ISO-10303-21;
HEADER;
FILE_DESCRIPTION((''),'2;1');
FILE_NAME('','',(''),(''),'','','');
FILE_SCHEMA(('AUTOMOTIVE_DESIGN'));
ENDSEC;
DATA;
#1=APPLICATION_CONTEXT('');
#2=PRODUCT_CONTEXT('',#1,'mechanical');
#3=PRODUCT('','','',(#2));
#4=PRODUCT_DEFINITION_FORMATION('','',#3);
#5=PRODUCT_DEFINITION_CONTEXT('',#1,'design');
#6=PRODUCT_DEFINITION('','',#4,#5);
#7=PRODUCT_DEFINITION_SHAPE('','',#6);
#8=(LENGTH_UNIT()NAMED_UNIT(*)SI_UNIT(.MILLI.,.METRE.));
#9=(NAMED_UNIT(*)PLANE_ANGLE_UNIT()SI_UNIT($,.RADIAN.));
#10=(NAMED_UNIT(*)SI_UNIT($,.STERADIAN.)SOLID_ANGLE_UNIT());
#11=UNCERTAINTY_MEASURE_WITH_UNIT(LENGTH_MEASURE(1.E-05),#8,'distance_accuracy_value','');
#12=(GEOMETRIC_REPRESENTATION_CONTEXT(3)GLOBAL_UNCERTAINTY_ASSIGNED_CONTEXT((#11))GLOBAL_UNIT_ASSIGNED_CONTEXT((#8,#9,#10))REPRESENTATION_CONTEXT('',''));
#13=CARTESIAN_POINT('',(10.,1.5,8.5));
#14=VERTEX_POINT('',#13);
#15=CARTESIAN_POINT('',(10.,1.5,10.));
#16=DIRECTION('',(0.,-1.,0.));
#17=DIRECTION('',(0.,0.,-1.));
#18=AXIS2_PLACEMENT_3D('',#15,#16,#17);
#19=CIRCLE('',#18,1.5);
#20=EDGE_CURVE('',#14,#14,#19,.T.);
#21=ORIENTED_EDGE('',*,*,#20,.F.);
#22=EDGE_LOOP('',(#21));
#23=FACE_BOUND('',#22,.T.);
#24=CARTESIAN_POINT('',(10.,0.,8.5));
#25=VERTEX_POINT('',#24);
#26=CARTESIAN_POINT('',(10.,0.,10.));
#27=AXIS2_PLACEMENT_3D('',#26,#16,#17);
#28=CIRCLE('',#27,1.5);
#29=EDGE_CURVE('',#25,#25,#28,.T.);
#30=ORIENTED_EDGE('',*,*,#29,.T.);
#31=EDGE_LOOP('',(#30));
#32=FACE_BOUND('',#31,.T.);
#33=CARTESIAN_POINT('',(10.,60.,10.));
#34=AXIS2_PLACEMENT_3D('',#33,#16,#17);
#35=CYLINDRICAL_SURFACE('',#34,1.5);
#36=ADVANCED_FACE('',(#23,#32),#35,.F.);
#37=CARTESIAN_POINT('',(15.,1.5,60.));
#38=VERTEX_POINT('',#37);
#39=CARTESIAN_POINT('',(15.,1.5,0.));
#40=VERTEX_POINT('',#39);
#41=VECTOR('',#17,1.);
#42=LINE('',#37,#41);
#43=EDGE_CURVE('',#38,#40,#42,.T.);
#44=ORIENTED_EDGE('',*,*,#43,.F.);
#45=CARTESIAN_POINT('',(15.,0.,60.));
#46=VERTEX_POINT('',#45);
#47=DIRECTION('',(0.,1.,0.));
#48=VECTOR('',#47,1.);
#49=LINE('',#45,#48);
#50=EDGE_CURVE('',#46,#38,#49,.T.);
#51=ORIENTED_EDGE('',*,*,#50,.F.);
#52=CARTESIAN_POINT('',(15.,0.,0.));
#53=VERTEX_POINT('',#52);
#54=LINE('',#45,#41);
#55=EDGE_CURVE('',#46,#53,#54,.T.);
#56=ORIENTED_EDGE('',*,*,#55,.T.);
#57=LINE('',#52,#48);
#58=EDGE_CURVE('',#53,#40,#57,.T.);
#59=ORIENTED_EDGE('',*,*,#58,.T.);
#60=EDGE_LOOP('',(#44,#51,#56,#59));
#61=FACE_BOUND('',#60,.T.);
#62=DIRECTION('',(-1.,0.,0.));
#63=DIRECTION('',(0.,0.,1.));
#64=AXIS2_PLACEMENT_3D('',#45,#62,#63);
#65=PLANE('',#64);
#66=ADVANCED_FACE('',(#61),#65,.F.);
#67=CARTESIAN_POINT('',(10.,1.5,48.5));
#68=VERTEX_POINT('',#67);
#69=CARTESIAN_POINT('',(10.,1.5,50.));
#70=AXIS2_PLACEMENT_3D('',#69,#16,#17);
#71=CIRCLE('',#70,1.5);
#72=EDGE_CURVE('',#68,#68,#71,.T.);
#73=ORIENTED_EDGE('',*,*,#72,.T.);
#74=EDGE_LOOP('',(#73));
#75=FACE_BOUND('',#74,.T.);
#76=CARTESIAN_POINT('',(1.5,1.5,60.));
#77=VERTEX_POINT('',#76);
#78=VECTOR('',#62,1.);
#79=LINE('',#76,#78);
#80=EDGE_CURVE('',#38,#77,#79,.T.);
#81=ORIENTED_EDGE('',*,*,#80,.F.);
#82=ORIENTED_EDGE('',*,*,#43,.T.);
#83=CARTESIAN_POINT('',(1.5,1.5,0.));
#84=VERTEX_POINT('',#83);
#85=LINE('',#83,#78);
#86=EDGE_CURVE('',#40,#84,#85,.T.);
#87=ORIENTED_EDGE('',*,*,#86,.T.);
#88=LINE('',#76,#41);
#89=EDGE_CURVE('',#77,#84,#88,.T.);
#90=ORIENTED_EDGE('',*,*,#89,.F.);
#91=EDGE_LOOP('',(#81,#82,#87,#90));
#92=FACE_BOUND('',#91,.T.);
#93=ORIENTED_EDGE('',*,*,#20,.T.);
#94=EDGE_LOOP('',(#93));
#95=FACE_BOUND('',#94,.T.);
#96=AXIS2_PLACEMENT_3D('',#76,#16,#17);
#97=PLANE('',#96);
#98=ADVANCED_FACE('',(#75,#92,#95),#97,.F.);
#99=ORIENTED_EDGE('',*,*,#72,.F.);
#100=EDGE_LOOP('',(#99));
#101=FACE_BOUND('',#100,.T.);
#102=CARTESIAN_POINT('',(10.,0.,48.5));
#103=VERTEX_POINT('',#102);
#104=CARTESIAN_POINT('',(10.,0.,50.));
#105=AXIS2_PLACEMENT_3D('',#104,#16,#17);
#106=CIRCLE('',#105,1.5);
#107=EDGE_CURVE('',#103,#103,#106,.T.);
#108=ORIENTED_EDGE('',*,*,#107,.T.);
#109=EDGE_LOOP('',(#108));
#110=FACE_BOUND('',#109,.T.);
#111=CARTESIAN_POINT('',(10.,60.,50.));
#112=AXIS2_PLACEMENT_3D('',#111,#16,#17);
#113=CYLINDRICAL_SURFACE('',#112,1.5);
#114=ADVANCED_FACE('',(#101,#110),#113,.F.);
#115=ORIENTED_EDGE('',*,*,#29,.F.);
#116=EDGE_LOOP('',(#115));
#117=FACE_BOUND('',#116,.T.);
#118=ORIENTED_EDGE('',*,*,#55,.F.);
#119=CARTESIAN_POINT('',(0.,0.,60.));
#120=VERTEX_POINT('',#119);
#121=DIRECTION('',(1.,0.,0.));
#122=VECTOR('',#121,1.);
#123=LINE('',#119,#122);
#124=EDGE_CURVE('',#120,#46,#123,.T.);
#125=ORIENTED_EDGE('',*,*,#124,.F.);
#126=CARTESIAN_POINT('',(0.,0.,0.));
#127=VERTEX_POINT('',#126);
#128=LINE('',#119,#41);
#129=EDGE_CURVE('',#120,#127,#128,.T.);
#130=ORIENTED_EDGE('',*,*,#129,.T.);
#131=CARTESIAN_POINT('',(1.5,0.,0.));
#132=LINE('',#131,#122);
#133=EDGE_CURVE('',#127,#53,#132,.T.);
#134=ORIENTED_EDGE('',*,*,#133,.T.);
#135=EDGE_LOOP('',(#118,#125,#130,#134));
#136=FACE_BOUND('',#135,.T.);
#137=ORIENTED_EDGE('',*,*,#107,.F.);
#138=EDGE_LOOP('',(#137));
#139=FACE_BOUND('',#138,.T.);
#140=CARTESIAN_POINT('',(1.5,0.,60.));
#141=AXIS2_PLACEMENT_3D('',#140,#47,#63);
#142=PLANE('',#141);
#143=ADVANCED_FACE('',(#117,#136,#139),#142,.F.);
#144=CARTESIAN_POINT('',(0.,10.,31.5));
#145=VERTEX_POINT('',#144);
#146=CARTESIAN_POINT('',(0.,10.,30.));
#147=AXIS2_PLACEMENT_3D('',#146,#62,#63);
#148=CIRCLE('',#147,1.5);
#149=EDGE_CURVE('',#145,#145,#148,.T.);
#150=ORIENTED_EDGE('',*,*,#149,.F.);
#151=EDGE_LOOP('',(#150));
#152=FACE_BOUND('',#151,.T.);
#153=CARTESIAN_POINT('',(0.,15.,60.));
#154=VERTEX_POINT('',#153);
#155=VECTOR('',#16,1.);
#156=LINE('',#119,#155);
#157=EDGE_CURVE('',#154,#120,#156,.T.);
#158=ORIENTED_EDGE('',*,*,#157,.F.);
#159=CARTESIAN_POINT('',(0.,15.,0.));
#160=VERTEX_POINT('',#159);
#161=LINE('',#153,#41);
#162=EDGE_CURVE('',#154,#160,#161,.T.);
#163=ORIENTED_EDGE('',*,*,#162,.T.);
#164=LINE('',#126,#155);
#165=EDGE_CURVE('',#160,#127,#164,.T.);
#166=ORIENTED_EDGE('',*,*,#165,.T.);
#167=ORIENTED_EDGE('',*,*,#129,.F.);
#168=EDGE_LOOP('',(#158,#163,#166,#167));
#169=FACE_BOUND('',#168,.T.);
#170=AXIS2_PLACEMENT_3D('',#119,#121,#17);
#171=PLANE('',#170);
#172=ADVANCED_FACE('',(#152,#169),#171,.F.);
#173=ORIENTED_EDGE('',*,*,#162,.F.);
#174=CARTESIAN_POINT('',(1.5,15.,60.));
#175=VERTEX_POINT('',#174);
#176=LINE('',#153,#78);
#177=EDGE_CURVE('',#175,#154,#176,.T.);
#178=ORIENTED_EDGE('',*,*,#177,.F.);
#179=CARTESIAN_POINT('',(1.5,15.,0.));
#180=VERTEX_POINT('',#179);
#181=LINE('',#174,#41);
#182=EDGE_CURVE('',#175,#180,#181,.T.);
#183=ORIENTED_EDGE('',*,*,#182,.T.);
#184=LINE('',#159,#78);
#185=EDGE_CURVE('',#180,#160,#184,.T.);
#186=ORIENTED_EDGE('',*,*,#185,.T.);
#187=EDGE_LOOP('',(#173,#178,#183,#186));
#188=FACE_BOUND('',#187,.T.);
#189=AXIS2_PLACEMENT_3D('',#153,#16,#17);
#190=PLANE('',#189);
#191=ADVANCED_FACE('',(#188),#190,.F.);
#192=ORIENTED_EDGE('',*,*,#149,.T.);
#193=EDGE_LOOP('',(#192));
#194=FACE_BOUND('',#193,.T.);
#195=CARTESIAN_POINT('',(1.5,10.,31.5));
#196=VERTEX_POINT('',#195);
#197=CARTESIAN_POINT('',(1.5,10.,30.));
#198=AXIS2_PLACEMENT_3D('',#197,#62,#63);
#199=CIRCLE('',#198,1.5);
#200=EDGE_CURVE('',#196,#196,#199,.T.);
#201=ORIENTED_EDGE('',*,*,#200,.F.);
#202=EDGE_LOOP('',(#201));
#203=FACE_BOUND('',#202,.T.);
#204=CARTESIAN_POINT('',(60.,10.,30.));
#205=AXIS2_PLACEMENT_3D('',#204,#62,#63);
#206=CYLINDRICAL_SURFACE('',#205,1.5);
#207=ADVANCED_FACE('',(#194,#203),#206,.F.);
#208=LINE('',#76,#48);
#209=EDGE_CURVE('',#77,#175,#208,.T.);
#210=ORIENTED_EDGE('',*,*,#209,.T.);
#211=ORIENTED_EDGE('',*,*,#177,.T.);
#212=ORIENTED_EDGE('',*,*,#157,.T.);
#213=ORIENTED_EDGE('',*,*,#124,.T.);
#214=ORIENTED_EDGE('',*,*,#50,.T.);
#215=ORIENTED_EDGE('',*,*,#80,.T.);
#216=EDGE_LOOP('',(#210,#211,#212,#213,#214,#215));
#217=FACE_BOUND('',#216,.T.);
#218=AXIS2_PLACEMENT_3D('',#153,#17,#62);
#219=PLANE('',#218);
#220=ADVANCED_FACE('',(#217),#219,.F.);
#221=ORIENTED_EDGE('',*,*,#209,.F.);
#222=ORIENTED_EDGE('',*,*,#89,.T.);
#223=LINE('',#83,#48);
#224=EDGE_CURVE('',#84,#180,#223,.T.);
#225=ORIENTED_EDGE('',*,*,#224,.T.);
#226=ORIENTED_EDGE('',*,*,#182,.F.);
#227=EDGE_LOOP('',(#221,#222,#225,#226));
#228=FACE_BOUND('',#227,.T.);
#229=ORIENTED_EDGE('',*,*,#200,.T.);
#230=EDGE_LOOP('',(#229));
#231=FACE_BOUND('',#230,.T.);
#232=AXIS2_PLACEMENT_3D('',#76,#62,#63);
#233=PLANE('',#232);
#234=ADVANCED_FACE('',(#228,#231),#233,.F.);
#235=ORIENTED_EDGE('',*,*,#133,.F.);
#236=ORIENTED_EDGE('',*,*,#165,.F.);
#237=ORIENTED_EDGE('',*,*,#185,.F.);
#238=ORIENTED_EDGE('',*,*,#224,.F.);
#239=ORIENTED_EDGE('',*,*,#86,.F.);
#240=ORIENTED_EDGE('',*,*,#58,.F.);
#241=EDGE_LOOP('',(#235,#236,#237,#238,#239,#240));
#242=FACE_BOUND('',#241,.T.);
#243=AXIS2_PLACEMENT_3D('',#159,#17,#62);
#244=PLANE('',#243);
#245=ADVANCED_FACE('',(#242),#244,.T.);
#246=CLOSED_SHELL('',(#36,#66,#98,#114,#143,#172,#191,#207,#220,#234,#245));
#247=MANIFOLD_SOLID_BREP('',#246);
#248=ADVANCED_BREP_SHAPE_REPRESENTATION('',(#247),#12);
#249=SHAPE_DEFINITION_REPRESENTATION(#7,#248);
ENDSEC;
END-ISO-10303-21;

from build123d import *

# Parameters (mm, degrees)
EXTRUSION1_DEPTH           = 60
ESQUISSE2_R                = 1.5
EXTRUSION2_DEPTH           = 60
ESQUISSE3_R                = 1.5
EXTRUSION3_DEPTH           = 60
R_P_TITION_LIN_AIRE1_COUNT = 2
R_P_TITION_LIN_AIRE1_PITCH = 40


with BuildPart() as part:
    # Esquisse1 → Extrusion1 (new body)
    with BuildSketch(Plane.XY):
        Polygon((0, 0), (1.5, 0), (15, 0), (15, 1.5), (1.5, 1.5), (1.5, 15), (0, 15), align=None)
    extrude(amount=EXTRUSION1_DEPTH)

    # Esquisse2 → Extrusion2 (cut)
    with BuildSketch(Plane.ZY):
        with Locations((30, 10)):
            Circle(ESQUISSE2_R)
    extrude(amount=-EXTRUSION2_DEPTH, mode=Mode.SUBTRACT)

    # Esquisse3 → Extrusion3 (cut)
    with BuildSketch(Plane.XZ):
        with Locations(Location((10, 10, 0), (0, 0, 270))):
            Circle(ESQUISSE3_R)
    extrusion3 = extrude(amount=-EXTRUSION3_DEPTH, mode=Mode.SUBTRACT)

    # Répétition linéaire1: Extrusion3 ×2
    with Locations(*[(0, 0, i * R_P_TITION_LIN_AIRE1_PITCH) for i in range(1, R_P_TITION_LIN_AIRE1_COUNT)]):
        add(extrusion3, mode=Mode.SUBTRACT)


solid = part.part
